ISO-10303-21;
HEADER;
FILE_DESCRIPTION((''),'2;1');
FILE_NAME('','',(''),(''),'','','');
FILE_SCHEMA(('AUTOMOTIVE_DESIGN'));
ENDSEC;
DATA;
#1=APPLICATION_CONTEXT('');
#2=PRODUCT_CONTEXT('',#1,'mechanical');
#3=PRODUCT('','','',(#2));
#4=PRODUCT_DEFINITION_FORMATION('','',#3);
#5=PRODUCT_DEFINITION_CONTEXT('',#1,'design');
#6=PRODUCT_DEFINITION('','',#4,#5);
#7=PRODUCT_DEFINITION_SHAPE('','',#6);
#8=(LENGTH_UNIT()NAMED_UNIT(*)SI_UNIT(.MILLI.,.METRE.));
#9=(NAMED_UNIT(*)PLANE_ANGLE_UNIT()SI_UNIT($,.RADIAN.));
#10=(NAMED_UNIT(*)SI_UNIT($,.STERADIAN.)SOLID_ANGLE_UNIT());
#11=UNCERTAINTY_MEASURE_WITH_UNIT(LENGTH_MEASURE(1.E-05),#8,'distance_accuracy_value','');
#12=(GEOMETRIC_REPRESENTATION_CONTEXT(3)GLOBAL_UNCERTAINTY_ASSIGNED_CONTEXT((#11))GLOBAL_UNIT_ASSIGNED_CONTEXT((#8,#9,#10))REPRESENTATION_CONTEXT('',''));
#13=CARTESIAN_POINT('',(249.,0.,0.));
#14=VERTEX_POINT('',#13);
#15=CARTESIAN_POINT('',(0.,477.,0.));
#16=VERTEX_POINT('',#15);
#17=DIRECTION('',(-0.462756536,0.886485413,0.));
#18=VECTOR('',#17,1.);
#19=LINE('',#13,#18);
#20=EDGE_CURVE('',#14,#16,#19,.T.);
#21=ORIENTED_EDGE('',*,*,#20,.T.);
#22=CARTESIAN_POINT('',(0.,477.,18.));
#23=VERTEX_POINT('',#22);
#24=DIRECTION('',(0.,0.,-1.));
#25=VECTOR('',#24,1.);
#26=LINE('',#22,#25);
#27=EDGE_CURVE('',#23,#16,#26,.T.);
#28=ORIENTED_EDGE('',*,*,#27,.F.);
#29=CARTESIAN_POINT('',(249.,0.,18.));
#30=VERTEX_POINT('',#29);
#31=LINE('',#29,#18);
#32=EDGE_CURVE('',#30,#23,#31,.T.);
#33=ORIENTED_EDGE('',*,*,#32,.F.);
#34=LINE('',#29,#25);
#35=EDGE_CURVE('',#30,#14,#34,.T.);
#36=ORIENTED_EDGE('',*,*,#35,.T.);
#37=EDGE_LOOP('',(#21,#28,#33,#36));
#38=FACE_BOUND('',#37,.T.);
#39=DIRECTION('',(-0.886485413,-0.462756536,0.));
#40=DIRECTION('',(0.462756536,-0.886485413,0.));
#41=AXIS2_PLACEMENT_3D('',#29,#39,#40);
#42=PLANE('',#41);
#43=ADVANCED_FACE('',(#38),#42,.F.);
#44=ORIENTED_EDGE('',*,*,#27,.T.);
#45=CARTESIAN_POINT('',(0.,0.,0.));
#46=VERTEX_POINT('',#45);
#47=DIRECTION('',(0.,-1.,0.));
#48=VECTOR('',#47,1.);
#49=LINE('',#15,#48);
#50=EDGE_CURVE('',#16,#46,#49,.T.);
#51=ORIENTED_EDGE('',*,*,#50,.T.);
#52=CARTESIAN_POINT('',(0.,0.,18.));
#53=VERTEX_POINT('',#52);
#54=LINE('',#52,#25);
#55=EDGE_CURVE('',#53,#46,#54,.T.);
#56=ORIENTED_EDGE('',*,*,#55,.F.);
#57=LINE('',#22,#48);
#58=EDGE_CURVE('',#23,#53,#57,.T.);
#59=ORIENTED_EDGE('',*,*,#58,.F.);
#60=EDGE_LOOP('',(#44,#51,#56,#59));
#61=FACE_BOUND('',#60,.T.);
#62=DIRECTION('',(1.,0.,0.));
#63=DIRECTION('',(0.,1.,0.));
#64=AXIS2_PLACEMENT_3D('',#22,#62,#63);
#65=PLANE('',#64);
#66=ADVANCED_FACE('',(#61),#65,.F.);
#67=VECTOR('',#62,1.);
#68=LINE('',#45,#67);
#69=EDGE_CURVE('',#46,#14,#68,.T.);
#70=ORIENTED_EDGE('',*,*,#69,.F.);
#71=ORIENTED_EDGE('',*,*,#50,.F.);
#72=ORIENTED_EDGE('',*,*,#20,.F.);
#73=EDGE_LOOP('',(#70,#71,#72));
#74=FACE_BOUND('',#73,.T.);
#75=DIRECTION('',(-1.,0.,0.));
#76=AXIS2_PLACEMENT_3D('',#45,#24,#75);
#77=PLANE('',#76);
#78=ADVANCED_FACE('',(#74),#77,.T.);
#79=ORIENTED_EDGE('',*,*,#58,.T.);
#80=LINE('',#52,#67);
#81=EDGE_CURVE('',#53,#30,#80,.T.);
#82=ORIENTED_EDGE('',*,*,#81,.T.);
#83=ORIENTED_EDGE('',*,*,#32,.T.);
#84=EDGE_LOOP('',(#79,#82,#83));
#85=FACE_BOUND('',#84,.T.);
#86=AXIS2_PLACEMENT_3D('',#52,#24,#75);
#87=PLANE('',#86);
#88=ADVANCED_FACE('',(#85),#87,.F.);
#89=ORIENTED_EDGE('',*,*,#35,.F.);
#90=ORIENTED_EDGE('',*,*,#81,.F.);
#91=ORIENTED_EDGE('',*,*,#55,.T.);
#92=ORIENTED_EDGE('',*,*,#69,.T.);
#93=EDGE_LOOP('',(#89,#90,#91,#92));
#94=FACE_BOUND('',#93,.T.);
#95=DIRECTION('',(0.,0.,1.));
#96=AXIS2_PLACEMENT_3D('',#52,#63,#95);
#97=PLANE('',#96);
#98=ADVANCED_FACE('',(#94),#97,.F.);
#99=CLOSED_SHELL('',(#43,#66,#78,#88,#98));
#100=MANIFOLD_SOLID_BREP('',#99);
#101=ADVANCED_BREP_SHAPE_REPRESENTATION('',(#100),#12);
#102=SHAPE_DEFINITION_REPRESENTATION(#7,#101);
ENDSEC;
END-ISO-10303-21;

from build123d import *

# Parameters (mm, degrees)
AUFSATZ_LINEAR_AUSTRAGEN1_DEPTH = 18


with BuildPart() as part:
    # Skizze1 → Aufsatz-Linear austragen1 (new body)
    with BuildSketch(Plane.XY):
        Polygon((0, 477), (0, 0), (249, 0), align=None)
    extrude(amount=AUFSATZ_LINEAR_AUSTRAGEN1_DEPTH)


solid = part.part
